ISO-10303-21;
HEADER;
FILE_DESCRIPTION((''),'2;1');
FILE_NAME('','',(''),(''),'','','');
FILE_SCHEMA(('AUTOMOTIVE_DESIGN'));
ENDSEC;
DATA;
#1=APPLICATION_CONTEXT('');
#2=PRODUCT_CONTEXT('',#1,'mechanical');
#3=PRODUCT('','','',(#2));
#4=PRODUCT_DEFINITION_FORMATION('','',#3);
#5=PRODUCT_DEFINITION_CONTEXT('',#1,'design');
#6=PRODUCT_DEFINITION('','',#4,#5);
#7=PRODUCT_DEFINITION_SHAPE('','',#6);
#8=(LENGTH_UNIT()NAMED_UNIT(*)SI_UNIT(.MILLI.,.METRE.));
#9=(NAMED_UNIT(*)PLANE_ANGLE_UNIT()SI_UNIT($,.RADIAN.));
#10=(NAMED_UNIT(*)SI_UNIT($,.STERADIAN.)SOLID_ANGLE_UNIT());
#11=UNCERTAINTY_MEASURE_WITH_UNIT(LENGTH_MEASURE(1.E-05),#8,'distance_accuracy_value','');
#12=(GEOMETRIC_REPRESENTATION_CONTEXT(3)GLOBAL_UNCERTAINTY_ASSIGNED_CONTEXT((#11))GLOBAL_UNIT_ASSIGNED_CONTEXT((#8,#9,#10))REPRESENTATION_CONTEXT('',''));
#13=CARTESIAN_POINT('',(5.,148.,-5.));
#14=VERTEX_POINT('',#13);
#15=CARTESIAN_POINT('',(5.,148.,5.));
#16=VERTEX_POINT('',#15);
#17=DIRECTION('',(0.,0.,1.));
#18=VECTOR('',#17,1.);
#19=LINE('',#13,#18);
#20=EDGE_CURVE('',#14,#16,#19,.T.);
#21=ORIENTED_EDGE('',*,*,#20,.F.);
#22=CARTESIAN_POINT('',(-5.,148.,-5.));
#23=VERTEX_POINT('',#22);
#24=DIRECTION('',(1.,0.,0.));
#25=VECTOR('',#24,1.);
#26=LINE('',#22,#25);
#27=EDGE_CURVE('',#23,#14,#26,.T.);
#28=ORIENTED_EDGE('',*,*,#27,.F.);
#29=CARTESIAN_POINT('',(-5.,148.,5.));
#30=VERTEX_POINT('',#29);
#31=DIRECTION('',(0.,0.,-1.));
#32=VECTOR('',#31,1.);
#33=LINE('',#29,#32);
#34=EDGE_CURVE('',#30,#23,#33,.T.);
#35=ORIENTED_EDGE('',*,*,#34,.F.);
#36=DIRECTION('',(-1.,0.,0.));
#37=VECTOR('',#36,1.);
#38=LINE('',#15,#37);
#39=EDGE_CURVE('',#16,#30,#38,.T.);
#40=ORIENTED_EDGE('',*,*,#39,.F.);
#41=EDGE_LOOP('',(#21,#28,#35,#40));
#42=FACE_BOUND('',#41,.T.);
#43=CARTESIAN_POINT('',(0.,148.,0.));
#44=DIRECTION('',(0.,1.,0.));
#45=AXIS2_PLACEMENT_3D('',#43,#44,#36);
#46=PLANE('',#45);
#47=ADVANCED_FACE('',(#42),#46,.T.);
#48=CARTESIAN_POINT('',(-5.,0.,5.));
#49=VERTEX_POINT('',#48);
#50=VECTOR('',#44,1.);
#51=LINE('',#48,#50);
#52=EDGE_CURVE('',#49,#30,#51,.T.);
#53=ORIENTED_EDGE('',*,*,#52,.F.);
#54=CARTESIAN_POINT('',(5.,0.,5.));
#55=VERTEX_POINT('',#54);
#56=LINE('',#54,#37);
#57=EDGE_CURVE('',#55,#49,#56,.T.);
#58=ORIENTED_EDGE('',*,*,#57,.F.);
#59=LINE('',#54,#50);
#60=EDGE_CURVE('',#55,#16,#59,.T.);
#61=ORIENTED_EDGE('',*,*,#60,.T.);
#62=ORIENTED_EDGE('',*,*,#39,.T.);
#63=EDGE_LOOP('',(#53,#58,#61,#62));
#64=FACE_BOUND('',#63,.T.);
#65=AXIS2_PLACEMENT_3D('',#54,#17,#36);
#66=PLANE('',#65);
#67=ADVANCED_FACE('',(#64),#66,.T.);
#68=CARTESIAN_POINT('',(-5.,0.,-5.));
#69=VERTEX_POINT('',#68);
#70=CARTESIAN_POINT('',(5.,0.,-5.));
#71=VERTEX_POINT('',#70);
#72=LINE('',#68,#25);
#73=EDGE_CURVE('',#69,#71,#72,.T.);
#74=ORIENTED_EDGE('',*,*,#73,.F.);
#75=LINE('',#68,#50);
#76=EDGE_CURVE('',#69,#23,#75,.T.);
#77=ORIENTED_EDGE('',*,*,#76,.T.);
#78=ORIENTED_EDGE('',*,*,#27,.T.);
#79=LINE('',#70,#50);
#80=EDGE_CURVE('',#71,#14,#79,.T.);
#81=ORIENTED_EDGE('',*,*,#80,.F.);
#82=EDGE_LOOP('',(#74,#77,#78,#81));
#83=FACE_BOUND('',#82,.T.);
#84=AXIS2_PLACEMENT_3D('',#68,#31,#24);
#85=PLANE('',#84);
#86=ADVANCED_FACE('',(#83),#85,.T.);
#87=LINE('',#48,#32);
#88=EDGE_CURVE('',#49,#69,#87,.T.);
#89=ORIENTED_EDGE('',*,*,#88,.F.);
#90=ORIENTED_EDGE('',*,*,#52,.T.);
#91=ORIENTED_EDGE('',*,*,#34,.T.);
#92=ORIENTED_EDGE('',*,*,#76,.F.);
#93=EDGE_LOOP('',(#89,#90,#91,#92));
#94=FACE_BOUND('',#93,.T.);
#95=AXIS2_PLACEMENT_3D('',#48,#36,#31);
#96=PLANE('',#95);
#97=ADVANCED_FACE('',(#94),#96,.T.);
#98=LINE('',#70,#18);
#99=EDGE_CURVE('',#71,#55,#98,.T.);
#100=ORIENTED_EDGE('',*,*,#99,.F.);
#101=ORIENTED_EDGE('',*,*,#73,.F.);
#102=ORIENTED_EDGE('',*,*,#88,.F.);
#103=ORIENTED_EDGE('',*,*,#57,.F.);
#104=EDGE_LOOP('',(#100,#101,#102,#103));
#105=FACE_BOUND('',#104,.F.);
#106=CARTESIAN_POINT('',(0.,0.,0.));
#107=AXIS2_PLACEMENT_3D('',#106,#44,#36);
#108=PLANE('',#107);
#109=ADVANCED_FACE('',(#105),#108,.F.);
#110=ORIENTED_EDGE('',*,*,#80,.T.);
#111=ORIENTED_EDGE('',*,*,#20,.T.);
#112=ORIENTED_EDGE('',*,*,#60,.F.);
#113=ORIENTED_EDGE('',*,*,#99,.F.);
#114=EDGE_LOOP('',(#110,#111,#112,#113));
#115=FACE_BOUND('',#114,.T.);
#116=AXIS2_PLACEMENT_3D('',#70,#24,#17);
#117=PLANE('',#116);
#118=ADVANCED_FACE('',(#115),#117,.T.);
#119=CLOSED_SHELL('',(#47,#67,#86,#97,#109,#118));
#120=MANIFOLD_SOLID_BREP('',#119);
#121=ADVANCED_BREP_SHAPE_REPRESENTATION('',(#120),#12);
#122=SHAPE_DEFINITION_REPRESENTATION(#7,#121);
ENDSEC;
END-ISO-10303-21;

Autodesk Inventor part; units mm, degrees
ref_plane "YZ Plane" through (0, 0, 0) normal (1, 0, 0) x (0, 1, 0)
ref_plane "XZ Plane" through (0, 0, 0) normal (0, 1, 0) x (-1, 0, 0)
ref_plane "XY Plane" through (0, 0, 0) normal (0, 0, 1) x (1, 0, 0)
sketch "Sketch1" plane through (0, 0, 0) normal (0, 1, 0) x (-1, 0, 0)
  line L0 (-5, 5) -> (5, 5)
  line L1 (5, 5) -> (5, -5)
  line L2 (5, -5) -> (-5, -5)
  line L3 (-5, -5) -> (-5, 5)
  point P0 (0, 0)
  point P1 (5, 0)
  point P2 (0, -5)
  dimension "d0" = 10
  dimension "d1" = 10
extrude "Extrusion1" add sketch "Sketch1" along normal blind 148
properties part number "Vertical Pole_3DPrint"
